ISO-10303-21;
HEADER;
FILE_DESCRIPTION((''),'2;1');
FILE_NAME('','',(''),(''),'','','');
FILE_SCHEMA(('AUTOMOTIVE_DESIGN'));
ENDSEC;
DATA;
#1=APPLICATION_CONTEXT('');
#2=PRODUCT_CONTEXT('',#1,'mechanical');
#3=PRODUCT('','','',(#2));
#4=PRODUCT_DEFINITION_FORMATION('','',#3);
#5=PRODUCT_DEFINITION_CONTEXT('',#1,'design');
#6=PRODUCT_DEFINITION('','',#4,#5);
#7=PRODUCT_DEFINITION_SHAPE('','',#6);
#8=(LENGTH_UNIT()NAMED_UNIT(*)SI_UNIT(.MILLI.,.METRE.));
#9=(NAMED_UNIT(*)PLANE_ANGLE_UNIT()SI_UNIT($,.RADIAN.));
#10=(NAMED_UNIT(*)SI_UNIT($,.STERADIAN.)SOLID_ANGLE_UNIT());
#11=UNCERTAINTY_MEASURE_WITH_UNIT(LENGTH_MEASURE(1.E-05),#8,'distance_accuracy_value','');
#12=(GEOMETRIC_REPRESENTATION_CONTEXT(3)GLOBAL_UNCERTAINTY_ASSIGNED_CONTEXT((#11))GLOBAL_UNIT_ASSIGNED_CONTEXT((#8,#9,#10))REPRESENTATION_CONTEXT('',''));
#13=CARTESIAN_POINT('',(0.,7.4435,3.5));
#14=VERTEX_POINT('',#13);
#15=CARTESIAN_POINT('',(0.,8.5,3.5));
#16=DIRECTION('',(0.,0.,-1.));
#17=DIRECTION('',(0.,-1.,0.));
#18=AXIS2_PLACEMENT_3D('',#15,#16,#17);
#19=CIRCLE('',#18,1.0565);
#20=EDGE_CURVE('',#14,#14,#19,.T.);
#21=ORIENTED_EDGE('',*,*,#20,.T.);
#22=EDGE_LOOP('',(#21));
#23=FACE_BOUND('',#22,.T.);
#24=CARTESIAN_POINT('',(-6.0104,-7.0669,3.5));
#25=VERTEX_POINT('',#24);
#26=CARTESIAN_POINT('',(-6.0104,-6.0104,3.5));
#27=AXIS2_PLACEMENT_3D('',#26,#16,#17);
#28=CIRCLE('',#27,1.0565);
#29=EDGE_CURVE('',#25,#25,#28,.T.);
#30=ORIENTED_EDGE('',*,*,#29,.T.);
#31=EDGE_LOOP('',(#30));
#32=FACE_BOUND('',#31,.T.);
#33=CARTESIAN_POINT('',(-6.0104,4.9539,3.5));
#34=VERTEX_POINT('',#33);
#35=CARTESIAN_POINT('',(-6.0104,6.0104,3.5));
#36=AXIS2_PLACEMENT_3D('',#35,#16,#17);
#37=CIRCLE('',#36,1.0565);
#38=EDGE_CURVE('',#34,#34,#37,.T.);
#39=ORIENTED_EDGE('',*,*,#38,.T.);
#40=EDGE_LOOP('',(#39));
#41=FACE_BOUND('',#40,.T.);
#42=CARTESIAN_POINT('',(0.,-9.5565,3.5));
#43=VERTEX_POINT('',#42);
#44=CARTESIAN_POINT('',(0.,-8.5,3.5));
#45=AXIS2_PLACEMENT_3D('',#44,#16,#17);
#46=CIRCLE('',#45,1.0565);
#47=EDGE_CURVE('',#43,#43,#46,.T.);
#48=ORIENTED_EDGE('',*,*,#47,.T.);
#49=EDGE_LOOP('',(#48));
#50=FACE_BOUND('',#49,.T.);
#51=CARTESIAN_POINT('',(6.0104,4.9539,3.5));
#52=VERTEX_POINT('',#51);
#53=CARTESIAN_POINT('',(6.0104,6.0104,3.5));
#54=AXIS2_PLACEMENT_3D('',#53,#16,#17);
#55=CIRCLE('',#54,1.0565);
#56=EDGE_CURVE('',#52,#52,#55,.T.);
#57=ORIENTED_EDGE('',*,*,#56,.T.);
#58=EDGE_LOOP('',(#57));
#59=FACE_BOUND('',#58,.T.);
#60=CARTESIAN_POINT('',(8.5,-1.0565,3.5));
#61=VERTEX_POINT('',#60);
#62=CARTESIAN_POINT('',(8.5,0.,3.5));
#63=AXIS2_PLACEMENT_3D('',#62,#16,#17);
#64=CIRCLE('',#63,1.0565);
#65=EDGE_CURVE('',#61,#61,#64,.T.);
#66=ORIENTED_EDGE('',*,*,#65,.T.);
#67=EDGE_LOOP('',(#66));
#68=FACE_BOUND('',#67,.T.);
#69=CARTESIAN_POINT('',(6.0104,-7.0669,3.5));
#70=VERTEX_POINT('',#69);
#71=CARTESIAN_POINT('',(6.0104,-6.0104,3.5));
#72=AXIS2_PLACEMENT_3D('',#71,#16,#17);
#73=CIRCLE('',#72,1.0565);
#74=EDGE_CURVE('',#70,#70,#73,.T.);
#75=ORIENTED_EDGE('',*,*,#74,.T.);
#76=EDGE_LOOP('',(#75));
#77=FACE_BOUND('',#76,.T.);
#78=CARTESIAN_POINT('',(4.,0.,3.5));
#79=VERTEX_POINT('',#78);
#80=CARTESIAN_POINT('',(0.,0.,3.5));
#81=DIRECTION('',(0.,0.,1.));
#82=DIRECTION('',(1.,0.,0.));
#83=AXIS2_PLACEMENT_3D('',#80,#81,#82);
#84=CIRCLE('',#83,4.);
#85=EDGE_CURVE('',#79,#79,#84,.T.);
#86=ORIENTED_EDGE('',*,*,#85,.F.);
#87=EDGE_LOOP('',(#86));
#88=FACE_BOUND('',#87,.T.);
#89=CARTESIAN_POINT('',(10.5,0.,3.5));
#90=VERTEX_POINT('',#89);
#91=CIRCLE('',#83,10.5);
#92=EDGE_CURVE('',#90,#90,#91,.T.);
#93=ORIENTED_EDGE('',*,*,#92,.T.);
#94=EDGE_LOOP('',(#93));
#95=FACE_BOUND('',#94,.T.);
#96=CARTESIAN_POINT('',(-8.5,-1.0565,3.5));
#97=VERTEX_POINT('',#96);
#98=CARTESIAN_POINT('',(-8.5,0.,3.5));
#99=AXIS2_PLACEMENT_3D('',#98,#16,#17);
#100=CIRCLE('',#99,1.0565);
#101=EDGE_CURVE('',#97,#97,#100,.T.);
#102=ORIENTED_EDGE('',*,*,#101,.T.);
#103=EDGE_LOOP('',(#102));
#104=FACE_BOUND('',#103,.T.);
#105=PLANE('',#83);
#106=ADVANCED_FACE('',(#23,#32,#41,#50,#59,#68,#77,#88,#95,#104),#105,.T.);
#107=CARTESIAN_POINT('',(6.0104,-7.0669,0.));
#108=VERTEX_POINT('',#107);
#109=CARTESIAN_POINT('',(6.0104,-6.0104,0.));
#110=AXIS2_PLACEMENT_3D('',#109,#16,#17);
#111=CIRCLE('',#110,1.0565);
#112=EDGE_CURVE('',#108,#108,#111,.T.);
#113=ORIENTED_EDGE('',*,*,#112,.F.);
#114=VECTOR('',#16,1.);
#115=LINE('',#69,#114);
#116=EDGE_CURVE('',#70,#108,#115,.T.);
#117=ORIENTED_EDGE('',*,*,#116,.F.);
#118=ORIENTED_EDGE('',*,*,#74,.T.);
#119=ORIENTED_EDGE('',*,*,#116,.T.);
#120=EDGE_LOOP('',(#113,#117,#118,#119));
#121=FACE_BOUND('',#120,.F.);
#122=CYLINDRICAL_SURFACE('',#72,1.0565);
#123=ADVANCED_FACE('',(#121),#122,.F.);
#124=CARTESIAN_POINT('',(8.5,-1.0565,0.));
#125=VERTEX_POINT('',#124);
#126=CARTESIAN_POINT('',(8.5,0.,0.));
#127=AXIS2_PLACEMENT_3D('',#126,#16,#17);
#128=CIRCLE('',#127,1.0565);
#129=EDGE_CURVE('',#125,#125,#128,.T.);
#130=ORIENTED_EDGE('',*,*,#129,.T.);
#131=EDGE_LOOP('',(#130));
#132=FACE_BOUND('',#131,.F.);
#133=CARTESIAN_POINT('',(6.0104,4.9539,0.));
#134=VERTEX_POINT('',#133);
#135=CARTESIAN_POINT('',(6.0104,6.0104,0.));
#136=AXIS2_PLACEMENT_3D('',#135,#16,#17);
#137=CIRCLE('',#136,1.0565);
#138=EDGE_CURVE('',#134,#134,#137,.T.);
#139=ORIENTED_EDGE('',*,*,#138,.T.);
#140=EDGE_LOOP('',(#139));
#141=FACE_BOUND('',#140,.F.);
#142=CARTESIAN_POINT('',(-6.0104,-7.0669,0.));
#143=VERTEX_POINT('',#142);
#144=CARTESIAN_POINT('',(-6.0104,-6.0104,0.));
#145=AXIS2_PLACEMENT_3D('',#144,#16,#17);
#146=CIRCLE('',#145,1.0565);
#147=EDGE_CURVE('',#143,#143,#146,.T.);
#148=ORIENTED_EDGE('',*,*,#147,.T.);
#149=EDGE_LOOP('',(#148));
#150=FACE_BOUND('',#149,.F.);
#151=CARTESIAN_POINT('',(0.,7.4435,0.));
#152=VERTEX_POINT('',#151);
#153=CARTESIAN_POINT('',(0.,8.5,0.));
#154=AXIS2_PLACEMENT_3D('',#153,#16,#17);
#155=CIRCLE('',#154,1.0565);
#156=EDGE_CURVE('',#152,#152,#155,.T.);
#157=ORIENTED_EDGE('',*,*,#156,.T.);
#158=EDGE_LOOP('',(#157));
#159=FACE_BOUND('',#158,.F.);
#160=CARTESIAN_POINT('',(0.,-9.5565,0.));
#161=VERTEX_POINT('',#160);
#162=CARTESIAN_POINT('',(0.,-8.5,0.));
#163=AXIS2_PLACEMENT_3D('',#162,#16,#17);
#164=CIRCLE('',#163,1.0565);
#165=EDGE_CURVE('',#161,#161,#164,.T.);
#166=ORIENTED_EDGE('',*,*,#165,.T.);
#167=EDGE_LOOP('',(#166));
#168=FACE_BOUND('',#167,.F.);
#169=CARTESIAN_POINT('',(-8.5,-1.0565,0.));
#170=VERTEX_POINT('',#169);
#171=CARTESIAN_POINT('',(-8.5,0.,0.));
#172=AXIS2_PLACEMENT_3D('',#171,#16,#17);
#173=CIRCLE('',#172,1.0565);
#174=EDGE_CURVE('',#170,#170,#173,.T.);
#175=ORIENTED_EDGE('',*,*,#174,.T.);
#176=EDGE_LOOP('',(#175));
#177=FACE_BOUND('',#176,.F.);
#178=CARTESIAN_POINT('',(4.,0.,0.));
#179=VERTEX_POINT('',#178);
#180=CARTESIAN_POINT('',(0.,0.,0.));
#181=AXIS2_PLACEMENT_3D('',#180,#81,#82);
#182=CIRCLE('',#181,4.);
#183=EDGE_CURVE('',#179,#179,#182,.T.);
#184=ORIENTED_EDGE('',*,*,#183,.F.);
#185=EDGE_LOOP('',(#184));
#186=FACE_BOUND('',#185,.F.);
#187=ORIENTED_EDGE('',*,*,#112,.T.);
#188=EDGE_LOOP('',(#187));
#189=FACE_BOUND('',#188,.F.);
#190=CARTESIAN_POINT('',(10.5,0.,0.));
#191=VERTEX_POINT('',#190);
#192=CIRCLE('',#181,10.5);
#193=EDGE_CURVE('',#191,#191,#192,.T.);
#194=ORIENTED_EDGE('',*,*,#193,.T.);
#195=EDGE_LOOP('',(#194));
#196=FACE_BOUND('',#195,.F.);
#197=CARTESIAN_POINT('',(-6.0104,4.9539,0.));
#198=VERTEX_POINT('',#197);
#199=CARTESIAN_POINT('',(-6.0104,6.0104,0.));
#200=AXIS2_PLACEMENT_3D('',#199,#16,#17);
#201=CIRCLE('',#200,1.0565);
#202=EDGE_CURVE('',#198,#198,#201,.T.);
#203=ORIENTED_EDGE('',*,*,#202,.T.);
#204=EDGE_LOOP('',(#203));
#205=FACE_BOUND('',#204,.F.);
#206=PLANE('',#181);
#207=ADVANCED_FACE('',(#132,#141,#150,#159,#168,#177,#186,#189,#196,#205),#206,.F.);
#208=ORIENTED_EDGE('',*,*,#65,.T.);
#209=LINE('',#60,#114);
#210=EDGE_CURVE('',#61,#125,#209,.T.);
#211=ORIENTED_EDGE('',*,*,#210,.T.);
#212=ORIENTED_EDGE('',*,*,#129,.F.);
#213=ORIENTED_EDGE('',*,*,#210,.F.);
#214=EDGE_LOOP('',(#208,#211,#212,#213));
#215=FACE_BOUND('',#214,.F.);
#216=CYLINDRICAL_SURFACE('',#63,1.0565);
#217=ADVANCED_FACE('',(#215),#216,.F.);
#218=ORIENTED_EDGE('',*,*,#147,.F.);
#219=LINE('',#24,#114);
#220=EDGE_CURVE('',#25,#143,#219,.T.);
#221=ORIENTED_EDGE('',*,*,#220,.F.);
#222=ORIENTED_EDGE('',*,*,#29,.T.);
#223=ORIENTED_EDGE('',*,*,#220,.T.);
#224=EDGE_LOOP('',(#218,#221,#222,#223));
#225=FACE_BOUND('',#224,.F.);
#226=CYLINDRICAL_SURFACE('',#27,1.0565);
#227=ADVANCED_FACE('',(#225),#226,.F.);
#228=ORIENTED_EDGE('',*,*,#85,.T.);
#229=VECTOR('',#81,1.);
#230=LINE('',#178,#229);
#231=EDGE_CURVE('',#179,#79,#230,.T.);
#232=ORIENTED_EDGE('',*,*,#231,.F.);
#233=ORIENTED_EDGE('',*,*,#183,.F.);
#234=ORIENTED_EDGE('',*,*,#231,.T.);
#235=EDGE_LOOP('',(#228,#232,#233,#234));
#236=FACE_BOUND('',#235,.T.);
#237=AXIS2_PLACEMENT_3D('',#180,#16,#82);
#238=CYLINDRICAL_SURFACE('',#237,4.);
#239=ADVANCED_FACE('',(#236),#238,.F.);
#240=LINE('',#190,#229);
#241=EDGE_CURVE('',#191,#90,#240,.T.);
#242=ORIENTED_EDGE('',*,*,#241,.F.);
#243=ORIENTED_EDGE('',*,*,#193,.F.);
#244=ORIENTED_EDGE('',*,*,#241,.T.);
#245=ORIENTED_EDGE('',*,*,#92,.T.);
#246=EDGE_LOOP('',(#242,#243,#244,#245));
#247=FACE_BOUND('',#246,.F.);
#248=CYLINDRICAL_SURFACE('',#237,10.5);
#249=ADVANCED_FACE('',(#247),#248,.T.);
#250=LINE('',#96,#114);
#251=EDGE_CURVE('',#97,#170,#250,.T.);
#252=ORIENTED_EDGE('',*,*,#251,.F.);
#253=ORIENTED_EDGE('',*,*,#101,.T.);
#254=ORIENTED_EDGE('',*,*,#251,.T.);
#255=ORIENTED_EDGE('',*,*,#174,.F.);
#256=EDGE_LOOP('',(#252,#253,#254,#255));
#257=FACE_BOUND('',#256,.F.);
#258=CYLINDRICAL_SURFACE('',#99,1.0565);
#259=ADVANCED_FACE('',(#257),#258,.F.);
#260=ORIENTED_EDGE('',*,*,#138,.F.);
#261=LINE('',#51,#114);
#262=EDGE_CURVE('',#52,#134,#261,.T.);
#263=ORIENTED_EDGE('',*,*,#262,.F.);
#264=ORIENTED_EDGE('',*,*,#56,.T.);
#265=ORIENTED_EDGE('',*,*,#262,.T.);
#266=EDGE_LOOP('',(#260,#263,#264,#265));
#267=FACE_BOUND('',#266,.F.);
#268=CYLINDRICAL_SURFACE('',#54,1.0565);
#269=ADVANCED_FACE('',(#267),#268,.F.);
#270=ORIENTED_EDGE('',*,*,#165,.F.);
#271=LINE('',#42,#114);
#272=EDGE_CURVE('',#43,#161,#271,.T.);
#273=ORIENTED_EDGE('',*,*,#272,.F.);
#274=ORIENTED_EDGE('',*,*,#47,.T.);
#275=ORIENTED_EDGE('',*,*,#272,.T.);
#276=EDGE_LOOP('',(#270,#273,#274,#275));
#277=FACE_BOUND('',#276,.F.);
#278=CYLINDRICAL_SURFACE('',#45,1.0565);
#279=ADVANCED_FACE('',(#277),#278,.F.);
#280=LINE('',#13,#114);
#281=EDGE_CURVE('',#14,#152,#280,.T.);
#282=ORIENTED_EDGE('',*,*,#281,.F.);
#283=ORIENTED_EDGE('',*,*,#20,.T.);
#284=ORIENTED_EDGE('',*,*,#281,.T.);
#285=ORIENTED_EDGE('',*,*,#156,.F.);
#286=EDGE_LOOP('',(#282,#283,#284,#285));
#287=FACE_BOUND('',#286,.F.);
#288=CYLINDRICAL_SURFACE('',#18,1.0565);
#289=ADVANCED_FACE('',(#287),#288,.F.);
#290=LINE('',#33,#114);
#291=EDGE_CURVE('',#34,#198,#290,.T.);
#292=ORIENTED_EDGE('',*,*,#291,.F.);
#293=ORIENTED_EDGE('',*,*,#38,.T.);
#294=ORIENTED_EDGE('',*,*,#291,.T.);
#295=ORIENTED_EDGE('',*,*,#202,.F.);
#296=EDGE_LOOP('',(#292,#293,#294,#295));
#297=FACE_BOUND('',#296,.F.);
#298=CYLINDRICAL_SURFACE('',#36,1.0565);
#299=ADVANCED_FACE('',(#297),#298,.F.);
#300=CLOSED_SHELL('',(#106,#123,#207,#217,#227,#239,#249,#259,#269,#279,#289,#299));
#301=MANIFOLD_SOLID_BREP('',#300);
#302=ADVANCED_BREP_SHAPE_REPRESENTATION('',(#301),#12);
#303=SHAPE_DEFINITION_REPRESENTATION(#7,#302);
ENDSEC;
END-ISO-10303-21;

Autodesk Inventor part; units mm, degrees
ref_plane "YZ Plane" through (0, 0, 0) normal (1, 0, 0) x (0, 1, 0)
ref_plane "XZ Plane" through (0, 0, 0) normal (0, 1, 0) x (-1, 0, 0)
ref_plane "XY Plane" through (0, 0, 0) normal (0, 0, 1) x (1, 0, 0)
sketch "スケッチ1" plane through (0, 0, 0) normal (0, 0, 1) x (1, 0, 0)
  circle A0 centre (0, 0) radius 10.5
  circle A1 centre (0, 0) radius 4
  dimension "d0" = 21
  dimension "d1" = 8
extrude "押し出し1" add sketch "スケッチ1" along normal blind 3.5
sketch "スケッチ2" plane through (0, 0, 3.5) normal (0, 0, 1) x (1, 0, 0)
  line L0 (0, 0) -> (0, 10.5) construction
  circle A0 centre (0, 0) radius 10.5 projected
  point P0 (0, 8.5)
  point P1 (-6.0104, 6.0104)
  point P2 (-8.5, 0)
  point P3 (-6.0104, -6.0104)
  point P4 (0, -8.5)
  point P5 (6.0104, -6.0104)
  point P6 (8.5, 0)
  point P7 (6.0104, 6.0104)
  dimension "d4" = 8.5
  dimension "d7" = 360
hole "穴1" at (0, 8.5, 3.5) at (-6.0104, 6.0104, 3.5) at (-8.5, 0, 3.5) at (-6.0104, -6.0104, 3.5) at (0, -8.5, 3.5) at (6.0104, -6.0104, 3.5) at (8.5, 0, 3.5) at (6.0104, 6.0104, 3.5) direction (0, 0, -1) diameter 2.113 end through all thread size "M2.6x0.45" class "6H" standard "ISO Metric profile"
properties part number "FreeHorn" material "アルミニウム 6061"
